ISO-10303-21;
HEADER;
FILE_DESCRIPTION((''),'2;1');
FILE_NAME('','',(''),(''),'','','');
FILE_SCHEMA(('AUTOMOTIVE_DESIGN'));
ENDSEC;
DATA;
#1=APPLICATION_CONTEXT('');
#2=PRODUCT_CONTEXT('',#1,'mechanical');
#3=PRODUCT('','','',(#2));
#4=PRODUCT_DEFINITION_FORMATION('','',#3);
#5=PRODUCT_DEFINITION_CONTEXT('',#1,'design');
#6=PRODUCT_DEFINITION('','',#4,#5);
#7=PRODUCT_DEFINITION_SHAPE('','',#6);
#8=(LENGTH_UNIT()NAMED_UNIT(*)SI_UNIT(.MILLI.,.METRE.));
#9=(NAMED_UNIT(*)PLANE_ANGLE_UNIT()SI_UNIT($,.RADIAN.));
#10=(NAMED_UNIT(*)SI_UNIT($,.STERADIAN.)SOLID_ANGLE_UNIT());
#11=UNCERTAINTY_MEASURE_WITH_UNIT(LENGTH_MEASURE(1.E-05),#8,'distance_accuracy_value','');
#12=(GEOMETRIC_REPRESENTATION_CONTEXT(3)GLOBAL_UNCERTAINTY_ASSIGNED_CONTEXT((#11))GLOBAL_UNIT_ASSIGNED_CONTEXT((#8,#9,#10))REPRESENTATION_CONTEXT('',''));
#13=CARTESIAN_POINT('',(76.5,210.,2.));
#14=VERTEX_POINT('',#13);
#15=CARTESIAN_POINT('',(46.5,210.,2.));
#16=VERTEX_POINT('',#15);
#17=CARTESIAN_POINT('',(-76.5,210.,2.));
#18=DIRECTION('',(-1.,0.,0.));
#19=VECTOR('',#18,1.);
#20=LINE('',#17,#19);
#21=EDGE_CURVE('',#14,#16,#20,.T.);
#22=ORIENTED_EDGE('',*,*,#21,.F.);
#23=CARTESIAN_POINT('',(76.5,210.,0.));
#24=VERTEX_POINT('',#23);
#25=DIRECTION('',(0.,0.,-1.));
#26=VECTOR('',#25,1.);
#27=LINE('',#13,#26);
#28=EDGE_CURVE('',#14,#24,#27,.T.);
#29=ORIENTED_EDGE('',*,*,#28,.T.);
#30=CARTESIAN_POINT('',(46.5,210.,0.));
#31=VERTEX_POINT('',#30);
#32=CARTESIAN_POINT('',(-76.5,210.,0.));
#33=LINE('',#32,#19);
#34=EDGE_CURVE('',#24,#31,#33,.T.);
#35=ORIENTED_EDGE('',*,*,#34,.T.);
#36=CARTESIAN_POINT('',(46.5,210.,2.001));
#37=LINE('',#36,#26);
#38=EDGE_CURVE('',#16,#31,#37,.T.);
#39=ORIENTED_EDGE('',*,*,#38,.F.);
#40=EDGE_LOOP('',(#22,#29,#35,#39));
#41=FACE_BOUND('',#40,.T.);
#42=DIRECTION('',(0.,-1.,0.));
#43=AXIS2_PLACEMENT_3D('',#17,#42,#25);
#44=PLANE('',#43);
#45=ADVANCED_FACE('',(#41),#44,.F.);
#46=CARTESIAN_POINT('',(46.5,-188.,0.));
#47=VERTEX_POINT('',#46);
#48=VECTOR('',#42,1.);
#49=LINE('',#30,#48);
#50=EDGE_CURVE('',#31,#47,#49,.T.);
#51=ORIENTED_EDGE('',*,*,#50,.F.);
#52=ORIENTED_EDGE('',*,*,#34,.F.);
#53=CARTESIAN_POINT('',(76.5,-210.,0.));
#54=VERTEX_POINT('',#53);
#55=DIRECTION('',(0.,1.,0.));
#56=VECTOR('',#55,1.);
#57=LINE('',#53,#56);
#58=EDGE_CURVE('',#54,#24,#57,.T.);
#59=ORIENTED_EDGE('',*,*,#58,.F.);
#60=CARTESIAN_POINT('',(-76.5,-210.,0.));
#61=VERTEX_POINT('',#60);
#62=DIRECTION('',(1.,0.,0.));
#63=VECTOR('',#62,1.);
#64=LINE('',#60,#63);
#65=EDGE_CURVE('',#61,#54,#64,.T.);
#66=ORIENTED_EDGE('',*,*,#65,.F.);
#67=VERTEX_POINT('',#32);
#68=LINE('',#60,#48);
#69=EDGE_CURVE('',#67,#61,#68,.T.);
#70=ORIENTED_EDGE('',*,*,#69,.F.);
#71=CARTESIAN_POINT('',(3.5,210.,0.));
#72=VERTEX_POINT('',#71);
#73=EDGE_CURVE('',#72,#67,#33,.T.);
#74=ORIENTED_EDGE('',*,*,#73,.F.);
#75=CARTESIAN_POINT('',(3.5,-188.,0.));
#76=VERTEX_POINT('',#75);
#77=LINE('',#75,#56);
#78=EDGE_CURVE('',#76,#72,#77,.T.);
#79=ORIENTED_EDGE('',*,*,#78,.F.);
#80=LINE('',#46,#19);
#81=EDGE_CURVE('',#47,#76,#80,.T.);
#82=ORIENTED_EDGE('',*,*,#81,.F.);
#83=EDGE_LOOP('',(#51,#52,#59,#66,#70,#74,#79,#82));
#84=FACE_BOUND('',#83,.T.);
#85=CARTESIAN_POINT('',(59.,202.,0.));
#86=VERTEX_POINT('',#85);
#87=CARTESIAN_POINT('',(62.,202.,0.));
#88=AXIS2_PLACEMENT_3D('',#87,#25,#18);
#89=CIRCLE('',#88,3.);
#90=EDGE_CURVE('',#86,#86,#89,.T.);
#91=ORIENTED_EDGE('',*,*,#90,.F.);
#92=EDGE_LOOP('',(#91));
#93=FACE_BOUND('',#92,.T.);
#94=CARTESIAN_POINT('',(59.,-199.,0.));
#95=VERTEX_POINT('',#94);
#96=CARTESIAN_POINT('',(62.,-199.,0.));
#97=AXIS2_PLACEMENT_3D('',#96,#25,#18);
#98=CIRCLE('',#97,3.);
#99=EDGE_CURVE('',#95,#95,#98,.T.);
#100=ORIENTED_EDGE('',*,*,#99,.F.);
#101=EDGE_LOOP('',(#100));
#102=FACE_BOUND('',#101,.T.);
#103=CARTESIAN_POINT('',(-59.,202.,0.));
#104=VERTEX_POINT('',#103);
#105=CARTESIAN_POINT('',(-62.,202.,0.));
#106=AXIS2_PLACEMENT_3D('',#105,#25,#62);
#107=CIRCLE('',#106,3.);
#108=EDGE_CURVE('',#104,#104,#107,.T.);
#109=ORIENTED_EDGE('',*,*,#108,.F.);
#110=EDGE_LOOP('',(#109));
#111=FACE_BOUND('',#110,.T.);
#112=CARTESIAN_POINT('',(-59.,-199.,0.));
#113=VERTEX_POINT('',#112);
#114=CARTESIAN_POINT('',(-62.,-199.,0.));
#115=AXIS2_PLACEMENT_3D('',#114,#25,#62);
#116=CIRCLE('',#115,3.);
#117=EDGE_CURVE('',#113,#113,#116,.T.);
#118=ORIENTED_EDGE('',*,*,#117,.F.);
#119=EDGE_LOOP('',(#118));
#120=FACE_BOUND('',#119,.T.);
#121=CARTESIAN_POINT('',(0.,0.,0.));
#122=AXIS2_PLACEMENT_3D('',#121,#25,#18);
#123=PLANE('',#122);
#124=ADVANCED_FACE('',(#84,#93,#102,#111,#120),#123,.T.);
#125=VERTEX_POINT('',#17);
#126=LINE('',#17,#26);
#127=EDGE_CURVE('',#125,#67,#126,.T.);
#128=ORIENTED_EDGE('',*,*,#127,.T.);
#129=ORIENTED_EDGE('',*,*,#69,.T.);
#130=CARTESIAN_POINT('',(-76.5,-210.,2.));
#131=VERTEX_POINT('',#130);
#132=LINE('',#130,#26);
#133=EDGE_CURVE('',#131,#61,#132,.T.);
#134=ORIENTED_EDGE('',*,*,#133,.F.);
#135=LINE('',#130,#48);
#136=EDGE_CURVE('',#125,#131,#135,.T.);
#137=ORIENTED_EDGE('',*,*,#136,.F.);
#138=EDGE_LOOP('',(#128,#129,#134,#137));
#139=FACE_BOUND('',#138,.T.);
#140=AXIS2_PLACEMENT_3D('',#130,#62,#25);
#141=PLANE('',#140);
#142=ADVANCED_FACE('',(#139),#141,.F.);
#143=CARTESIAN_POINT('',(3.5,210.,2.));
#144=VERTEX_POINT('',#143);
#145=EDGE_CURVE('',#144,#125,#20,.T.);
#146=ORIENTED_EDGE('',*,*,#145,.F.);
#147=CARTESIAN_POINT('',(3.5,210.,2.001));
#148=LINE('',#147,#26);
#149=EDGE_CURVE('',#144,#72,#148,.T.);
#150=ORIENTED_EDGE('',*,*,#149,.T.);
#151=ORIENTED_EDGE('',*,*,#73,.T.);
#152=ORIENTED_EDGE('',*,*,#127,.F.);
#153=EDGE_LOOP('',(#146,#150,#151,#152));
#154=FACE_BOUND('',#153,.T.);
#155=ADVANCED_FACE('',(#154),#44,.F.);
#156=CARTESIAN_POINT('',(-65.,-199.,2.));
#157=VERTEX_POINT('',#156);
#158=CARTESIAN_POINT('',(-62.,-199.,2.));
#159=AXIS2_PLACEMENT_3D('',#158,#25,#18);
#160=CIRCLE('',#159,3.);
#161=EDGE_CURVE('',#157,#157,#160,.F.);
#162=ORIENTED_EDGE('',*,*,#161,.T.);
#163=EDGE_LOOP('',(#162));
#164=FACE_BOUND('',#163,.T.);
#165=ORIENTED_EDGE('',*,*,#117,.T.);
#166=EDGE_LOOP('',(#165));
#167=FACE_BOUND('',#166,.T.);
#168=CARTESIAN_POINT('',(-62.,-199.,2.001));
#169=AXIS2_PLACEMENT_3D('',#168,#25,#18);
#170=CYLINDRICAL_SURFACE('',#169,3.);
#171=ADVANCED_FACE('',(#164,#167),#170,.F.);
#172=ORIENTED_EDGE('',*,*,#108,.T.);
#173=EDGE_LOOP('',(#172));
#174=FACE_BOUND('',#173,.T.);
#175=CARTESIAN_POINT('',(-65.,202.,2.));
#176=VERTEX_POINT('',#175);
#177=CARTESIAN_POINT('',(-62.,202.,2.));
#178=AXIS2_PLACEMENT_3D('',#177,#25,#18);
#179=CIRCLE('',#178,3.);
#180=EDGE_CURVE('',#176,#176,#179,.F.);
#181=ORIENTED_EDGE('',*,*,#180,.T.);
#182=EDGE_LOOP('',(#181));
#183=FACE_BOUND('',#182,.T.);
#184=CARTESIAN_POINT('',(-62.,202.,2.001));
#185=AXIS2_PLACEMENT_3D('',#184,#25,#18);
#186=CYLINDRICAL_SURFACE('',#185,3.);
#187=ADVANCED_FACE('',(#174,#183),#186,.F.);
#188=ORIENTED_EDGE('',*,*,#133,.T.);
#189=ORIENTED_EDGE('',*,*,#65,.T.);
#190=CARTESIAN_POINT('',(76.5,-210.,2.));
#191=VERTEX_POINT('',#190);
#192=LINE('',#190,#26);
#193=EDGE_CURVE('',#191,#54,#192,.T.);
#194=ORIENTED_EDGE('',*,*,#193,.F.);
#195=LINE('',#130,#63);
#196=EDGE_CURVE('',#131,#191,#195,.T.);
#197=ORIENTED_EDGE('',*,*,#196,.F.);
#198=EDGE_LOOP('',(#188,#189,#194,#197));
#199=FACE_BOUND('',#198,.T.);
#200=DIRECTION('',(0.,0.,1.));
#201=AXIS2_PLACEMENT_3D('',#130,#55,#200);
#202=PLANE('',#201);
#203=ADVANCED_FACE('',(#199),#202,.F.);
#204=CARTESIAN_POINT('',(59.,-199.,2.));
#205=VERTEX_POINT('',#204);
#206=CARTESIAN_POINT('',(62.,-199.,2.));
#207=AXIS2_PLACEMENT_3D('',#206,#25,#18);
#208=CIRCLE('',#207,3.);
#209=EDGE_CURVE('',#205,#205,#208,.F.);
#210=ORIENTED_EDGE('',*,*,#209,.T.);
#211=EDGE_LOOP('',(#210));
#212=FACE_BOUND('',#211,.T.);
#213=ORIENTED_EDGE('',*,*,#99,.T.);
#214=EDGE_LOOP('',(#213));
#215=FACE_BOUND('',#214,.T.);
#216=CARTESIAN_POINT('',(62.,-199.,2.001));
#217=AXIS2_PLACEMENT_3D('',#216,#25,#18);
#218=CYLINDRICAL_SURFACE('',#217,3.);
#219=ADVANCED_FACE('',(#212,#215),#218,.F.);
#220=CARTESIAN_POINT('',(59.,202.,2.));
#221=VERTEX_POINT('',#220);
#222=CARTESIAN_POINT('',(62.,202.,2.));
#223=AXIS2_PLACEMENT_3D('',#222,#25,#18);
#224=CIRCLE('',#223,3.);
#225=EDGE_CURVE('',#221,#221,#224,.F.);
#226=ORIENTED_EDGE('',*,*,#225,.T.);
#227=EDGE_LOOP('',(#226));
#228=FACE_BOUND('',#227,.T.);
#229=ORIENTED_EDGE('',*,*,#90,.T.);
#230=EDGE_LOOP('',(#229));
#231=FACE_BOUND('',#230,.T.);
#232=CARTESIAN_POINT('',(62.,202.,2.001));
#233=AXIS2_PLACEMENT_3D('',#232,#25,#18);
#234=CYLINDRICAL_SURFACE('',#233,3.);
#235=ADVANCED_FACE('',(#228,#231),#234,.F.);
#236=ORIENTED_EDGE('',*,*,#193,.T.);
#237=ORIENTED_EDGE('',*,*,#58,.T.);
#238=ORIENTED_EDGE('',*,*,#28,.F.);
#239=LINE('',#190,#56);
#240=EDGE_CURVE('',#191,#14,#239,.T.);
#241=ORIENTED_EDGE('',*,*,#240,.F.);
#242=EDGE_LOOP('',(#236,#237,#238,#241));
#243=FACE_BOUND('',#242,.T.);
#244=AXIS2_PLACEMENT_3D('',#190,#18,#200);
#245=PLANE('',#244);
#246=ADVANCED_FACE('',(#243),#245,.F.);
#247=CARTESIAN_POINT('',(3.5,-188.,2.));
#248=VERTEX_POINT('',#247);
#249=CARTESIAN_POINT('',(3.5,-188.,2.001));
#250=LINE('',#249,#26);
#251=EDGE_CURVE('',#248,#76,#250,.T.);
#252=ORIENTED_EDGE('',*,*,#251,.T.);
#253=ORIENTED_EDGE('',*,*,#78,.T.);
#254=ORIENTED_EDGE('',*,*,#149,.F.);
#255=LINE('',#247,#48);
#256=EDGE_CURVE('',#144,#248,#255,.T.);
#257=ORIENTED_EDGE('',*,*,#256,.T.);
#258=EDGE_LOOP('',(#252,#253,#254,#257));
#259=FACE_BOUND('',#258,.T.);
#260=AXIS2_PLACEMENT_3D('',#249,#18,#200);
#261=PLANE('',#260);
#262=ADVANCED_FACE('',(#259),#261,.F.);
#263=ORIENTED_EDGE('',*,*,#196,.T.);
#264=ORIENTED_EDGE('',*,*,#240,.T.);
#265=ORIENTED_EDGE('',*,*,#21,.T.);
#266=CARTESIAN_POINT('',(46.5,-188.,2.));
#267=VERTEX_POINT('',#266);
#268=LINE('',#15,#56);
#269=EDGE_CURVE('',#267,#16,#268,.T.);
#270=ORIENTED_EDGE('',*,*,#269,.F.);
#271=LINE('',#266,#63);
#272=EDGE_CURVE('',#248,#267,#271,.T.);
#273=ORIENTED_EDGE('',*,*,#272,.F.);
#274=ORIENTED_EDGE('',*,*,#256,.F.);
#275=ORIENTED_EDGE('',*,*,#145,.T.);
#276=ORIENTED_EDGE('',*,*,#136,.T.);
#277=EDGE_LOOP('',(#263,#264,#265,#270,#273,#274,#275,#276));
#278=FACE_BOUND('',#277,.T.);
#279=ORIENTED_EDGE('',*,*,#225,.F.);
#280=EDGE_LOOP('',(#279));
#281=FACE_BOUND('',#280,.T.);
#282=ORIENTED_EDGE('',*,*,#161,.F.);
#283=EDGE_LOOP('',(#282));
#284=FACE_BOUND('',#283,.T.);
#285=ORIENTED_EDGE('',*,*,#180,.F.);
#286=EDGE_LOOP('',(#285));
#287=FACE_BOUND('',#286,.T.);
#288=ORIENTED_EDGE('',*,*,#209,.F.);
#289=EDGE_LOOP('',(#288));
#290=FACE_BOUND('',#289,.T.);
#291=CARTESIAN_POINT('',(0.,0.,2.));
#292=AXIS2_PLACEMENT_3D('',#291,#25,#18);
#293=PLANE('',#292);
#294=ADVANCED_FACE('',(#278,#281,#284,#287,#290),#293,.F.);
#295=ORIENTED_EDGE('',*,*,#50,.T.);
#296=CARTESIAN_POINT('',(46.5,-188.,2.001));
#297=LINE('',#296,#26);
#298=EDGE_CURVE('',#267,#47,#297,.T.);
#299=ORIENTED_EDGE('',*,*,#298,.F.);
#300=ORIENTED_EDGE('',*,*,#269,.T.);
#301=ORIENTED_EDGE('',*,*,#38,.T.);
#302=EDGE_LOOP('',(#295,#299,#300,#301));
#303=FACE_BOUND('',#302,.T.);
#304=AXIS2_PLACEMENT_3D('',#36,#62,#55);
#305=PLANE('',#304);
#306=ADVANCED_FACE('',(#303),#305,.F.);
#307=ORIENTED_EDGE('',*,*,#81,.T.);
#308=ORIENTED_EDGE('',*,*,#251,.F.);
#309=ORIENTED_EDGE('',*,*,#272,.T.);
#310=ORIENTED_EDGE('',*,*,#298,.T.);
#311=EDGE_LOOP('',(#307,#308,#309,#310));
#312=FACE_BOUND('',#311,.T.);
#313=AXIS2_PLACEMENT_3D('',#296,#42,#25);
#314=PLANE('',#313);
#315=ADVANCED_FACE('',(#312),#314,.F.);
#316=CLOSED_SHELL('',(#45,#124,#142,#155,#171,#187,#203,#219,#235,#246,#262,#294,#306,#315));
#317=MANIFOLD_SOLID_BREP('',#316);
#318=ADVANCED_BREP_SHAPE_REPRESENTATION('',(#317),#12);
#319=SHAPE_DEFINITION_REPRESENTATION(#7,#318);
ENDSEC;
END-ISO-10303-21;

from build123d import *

# Parameters (mm, degrees)
SKETCH1_W           = 153
SKETCH1_H           = 420
BOSS_EXTRUDE1_DEPTH = 2
CUT_EXTRUDE1_REACH  = 225.509
SKETCH2_W           = 43
SKETCH2_H           = 398
CUT_EXTRUDE2_REACH  = 225.509
SKETCH3_R           = 3


with BuildPart() as part:
    # Sketch1 → Boss-Extrude1 (new body)
    with BuildSketch(Plane.XY):
        Rectangle(SKETCH1_W, SKETCH1_H)
    extrude(amount=BOSS_EXTRUDE1_DEPTH)

    # Sketch2 → Cut-Extrude1 (cut, up to next)
    with BuildSketch(Plane(origin=(0, 0, 0), x_dir=(-1, 0, 0), z_dir=(0, 0, -1)), mode=Mode.PRIVATE) as cut_extrude1_sk1:
        with Locations((-25, 11)):
            Rectangle(SKETCH2_W, SKETCH2_H)
    cut_extrude1_tool1 = extrude(cut_extrude1_sk1.sketch, amount=-CUT_EXTRUDE1_REACH, mode=Mode.PRIVATE) & part.part
    add(cut_extrude1_tool1.solids().sort_by_distance((25, 11, 0))[0], mode=Mode.SUBTRACT)

    # Sketch3 → Cut-Extrude2 (cut, up to next)
    with BuildSketch(Plane(origin=(0, 0, 0), x_dir=(-1, 0, 0), z_dir=(0, 0, -1)), mode=Mode.PRIVATE) as cut_extrude2_sk1:
        with Locations((-62, 202)):
            Circle(SKETCH3_R)
    cut_extrude2_tool1 = extrude(cut_extrude2_sk1.sketch, amount=-CUT_EXTRUDE2_REACH, mode=Mode.PRIVATE) & part.part
    # Sketch3 → Cut-Extrude2 (cut, up to next)
    with BuildSketch(Plane(origin=(0, 0, 0), x_dir=(-1, 0, 0), z_dir=(0, 0, -1)), mode=Mode.PRIVATE) as cut_extrude2_sk2:
        with Locations((-62, -199)):
            Circle(SKETCH3_R)
    cut_extrude2_tool2 = extrude(cut_extrude2_sk2.sketch, amount=-CUT_EXTRUDE2_REACH, mode=Mode.PRIVATE) & part.part
    # Sketch3 → Cut-Extrude2 (cut, up to next)
    with BuildSketch(Plane(origin=(0, 0, 0), x_dir=(-1, 0, 0), z_dir=(0, 0, -1)), mode=Mode.PRIVATE) as cut_extrude2_sk3:
        with Locations((62, 202)):
            Circle(SKETCH3_R)
    cut_extrude2_tool3 = extrude(cut_extrude2_sk3.sketch, amount=-CUT_EXTRUDE2_REACH, mode=Mode.PRIVATE) & part.part
    # Sketch3 → Cut-Extrude2 (cut, up to next)
    with BuildSketch(Plane(origin=(0, 0, 0), x_dir=(-1, 0, 0), z_dir=(0, 0, -1)), mode=Mode.PRIVATE) as cut_extrude2_sk4:
        with Locations((62, -199)):
            Circle(SKETCH3_R)
    cut_extrude2_tool4 = extrude(cut_extrude2_sk4.sketch, amount=-CUT_EXTRUDE2_REACH, mode=Mode.PRIVATE) & part.part
    add(cut_extrude2_tool1.solids().sort_by_distance((62, 202, 0))[0], mode=Mode.SUBTRACT)
    add(cut_extrude2_tool2.solids().sort_by_distance((62, -199, 0))[0], mode=Mode.SUBTRACT)
    add(cut_extrude2_tool3.solids().sort_by_distance((-62, 202, 0))[0], mode=Mode.SUBTRACT)
    add(cut_extrude2_tool4.solids().sort_by_distance((-62, -199, 0))[0], mode=Mode.SUBTRACT)


solid = part.part
